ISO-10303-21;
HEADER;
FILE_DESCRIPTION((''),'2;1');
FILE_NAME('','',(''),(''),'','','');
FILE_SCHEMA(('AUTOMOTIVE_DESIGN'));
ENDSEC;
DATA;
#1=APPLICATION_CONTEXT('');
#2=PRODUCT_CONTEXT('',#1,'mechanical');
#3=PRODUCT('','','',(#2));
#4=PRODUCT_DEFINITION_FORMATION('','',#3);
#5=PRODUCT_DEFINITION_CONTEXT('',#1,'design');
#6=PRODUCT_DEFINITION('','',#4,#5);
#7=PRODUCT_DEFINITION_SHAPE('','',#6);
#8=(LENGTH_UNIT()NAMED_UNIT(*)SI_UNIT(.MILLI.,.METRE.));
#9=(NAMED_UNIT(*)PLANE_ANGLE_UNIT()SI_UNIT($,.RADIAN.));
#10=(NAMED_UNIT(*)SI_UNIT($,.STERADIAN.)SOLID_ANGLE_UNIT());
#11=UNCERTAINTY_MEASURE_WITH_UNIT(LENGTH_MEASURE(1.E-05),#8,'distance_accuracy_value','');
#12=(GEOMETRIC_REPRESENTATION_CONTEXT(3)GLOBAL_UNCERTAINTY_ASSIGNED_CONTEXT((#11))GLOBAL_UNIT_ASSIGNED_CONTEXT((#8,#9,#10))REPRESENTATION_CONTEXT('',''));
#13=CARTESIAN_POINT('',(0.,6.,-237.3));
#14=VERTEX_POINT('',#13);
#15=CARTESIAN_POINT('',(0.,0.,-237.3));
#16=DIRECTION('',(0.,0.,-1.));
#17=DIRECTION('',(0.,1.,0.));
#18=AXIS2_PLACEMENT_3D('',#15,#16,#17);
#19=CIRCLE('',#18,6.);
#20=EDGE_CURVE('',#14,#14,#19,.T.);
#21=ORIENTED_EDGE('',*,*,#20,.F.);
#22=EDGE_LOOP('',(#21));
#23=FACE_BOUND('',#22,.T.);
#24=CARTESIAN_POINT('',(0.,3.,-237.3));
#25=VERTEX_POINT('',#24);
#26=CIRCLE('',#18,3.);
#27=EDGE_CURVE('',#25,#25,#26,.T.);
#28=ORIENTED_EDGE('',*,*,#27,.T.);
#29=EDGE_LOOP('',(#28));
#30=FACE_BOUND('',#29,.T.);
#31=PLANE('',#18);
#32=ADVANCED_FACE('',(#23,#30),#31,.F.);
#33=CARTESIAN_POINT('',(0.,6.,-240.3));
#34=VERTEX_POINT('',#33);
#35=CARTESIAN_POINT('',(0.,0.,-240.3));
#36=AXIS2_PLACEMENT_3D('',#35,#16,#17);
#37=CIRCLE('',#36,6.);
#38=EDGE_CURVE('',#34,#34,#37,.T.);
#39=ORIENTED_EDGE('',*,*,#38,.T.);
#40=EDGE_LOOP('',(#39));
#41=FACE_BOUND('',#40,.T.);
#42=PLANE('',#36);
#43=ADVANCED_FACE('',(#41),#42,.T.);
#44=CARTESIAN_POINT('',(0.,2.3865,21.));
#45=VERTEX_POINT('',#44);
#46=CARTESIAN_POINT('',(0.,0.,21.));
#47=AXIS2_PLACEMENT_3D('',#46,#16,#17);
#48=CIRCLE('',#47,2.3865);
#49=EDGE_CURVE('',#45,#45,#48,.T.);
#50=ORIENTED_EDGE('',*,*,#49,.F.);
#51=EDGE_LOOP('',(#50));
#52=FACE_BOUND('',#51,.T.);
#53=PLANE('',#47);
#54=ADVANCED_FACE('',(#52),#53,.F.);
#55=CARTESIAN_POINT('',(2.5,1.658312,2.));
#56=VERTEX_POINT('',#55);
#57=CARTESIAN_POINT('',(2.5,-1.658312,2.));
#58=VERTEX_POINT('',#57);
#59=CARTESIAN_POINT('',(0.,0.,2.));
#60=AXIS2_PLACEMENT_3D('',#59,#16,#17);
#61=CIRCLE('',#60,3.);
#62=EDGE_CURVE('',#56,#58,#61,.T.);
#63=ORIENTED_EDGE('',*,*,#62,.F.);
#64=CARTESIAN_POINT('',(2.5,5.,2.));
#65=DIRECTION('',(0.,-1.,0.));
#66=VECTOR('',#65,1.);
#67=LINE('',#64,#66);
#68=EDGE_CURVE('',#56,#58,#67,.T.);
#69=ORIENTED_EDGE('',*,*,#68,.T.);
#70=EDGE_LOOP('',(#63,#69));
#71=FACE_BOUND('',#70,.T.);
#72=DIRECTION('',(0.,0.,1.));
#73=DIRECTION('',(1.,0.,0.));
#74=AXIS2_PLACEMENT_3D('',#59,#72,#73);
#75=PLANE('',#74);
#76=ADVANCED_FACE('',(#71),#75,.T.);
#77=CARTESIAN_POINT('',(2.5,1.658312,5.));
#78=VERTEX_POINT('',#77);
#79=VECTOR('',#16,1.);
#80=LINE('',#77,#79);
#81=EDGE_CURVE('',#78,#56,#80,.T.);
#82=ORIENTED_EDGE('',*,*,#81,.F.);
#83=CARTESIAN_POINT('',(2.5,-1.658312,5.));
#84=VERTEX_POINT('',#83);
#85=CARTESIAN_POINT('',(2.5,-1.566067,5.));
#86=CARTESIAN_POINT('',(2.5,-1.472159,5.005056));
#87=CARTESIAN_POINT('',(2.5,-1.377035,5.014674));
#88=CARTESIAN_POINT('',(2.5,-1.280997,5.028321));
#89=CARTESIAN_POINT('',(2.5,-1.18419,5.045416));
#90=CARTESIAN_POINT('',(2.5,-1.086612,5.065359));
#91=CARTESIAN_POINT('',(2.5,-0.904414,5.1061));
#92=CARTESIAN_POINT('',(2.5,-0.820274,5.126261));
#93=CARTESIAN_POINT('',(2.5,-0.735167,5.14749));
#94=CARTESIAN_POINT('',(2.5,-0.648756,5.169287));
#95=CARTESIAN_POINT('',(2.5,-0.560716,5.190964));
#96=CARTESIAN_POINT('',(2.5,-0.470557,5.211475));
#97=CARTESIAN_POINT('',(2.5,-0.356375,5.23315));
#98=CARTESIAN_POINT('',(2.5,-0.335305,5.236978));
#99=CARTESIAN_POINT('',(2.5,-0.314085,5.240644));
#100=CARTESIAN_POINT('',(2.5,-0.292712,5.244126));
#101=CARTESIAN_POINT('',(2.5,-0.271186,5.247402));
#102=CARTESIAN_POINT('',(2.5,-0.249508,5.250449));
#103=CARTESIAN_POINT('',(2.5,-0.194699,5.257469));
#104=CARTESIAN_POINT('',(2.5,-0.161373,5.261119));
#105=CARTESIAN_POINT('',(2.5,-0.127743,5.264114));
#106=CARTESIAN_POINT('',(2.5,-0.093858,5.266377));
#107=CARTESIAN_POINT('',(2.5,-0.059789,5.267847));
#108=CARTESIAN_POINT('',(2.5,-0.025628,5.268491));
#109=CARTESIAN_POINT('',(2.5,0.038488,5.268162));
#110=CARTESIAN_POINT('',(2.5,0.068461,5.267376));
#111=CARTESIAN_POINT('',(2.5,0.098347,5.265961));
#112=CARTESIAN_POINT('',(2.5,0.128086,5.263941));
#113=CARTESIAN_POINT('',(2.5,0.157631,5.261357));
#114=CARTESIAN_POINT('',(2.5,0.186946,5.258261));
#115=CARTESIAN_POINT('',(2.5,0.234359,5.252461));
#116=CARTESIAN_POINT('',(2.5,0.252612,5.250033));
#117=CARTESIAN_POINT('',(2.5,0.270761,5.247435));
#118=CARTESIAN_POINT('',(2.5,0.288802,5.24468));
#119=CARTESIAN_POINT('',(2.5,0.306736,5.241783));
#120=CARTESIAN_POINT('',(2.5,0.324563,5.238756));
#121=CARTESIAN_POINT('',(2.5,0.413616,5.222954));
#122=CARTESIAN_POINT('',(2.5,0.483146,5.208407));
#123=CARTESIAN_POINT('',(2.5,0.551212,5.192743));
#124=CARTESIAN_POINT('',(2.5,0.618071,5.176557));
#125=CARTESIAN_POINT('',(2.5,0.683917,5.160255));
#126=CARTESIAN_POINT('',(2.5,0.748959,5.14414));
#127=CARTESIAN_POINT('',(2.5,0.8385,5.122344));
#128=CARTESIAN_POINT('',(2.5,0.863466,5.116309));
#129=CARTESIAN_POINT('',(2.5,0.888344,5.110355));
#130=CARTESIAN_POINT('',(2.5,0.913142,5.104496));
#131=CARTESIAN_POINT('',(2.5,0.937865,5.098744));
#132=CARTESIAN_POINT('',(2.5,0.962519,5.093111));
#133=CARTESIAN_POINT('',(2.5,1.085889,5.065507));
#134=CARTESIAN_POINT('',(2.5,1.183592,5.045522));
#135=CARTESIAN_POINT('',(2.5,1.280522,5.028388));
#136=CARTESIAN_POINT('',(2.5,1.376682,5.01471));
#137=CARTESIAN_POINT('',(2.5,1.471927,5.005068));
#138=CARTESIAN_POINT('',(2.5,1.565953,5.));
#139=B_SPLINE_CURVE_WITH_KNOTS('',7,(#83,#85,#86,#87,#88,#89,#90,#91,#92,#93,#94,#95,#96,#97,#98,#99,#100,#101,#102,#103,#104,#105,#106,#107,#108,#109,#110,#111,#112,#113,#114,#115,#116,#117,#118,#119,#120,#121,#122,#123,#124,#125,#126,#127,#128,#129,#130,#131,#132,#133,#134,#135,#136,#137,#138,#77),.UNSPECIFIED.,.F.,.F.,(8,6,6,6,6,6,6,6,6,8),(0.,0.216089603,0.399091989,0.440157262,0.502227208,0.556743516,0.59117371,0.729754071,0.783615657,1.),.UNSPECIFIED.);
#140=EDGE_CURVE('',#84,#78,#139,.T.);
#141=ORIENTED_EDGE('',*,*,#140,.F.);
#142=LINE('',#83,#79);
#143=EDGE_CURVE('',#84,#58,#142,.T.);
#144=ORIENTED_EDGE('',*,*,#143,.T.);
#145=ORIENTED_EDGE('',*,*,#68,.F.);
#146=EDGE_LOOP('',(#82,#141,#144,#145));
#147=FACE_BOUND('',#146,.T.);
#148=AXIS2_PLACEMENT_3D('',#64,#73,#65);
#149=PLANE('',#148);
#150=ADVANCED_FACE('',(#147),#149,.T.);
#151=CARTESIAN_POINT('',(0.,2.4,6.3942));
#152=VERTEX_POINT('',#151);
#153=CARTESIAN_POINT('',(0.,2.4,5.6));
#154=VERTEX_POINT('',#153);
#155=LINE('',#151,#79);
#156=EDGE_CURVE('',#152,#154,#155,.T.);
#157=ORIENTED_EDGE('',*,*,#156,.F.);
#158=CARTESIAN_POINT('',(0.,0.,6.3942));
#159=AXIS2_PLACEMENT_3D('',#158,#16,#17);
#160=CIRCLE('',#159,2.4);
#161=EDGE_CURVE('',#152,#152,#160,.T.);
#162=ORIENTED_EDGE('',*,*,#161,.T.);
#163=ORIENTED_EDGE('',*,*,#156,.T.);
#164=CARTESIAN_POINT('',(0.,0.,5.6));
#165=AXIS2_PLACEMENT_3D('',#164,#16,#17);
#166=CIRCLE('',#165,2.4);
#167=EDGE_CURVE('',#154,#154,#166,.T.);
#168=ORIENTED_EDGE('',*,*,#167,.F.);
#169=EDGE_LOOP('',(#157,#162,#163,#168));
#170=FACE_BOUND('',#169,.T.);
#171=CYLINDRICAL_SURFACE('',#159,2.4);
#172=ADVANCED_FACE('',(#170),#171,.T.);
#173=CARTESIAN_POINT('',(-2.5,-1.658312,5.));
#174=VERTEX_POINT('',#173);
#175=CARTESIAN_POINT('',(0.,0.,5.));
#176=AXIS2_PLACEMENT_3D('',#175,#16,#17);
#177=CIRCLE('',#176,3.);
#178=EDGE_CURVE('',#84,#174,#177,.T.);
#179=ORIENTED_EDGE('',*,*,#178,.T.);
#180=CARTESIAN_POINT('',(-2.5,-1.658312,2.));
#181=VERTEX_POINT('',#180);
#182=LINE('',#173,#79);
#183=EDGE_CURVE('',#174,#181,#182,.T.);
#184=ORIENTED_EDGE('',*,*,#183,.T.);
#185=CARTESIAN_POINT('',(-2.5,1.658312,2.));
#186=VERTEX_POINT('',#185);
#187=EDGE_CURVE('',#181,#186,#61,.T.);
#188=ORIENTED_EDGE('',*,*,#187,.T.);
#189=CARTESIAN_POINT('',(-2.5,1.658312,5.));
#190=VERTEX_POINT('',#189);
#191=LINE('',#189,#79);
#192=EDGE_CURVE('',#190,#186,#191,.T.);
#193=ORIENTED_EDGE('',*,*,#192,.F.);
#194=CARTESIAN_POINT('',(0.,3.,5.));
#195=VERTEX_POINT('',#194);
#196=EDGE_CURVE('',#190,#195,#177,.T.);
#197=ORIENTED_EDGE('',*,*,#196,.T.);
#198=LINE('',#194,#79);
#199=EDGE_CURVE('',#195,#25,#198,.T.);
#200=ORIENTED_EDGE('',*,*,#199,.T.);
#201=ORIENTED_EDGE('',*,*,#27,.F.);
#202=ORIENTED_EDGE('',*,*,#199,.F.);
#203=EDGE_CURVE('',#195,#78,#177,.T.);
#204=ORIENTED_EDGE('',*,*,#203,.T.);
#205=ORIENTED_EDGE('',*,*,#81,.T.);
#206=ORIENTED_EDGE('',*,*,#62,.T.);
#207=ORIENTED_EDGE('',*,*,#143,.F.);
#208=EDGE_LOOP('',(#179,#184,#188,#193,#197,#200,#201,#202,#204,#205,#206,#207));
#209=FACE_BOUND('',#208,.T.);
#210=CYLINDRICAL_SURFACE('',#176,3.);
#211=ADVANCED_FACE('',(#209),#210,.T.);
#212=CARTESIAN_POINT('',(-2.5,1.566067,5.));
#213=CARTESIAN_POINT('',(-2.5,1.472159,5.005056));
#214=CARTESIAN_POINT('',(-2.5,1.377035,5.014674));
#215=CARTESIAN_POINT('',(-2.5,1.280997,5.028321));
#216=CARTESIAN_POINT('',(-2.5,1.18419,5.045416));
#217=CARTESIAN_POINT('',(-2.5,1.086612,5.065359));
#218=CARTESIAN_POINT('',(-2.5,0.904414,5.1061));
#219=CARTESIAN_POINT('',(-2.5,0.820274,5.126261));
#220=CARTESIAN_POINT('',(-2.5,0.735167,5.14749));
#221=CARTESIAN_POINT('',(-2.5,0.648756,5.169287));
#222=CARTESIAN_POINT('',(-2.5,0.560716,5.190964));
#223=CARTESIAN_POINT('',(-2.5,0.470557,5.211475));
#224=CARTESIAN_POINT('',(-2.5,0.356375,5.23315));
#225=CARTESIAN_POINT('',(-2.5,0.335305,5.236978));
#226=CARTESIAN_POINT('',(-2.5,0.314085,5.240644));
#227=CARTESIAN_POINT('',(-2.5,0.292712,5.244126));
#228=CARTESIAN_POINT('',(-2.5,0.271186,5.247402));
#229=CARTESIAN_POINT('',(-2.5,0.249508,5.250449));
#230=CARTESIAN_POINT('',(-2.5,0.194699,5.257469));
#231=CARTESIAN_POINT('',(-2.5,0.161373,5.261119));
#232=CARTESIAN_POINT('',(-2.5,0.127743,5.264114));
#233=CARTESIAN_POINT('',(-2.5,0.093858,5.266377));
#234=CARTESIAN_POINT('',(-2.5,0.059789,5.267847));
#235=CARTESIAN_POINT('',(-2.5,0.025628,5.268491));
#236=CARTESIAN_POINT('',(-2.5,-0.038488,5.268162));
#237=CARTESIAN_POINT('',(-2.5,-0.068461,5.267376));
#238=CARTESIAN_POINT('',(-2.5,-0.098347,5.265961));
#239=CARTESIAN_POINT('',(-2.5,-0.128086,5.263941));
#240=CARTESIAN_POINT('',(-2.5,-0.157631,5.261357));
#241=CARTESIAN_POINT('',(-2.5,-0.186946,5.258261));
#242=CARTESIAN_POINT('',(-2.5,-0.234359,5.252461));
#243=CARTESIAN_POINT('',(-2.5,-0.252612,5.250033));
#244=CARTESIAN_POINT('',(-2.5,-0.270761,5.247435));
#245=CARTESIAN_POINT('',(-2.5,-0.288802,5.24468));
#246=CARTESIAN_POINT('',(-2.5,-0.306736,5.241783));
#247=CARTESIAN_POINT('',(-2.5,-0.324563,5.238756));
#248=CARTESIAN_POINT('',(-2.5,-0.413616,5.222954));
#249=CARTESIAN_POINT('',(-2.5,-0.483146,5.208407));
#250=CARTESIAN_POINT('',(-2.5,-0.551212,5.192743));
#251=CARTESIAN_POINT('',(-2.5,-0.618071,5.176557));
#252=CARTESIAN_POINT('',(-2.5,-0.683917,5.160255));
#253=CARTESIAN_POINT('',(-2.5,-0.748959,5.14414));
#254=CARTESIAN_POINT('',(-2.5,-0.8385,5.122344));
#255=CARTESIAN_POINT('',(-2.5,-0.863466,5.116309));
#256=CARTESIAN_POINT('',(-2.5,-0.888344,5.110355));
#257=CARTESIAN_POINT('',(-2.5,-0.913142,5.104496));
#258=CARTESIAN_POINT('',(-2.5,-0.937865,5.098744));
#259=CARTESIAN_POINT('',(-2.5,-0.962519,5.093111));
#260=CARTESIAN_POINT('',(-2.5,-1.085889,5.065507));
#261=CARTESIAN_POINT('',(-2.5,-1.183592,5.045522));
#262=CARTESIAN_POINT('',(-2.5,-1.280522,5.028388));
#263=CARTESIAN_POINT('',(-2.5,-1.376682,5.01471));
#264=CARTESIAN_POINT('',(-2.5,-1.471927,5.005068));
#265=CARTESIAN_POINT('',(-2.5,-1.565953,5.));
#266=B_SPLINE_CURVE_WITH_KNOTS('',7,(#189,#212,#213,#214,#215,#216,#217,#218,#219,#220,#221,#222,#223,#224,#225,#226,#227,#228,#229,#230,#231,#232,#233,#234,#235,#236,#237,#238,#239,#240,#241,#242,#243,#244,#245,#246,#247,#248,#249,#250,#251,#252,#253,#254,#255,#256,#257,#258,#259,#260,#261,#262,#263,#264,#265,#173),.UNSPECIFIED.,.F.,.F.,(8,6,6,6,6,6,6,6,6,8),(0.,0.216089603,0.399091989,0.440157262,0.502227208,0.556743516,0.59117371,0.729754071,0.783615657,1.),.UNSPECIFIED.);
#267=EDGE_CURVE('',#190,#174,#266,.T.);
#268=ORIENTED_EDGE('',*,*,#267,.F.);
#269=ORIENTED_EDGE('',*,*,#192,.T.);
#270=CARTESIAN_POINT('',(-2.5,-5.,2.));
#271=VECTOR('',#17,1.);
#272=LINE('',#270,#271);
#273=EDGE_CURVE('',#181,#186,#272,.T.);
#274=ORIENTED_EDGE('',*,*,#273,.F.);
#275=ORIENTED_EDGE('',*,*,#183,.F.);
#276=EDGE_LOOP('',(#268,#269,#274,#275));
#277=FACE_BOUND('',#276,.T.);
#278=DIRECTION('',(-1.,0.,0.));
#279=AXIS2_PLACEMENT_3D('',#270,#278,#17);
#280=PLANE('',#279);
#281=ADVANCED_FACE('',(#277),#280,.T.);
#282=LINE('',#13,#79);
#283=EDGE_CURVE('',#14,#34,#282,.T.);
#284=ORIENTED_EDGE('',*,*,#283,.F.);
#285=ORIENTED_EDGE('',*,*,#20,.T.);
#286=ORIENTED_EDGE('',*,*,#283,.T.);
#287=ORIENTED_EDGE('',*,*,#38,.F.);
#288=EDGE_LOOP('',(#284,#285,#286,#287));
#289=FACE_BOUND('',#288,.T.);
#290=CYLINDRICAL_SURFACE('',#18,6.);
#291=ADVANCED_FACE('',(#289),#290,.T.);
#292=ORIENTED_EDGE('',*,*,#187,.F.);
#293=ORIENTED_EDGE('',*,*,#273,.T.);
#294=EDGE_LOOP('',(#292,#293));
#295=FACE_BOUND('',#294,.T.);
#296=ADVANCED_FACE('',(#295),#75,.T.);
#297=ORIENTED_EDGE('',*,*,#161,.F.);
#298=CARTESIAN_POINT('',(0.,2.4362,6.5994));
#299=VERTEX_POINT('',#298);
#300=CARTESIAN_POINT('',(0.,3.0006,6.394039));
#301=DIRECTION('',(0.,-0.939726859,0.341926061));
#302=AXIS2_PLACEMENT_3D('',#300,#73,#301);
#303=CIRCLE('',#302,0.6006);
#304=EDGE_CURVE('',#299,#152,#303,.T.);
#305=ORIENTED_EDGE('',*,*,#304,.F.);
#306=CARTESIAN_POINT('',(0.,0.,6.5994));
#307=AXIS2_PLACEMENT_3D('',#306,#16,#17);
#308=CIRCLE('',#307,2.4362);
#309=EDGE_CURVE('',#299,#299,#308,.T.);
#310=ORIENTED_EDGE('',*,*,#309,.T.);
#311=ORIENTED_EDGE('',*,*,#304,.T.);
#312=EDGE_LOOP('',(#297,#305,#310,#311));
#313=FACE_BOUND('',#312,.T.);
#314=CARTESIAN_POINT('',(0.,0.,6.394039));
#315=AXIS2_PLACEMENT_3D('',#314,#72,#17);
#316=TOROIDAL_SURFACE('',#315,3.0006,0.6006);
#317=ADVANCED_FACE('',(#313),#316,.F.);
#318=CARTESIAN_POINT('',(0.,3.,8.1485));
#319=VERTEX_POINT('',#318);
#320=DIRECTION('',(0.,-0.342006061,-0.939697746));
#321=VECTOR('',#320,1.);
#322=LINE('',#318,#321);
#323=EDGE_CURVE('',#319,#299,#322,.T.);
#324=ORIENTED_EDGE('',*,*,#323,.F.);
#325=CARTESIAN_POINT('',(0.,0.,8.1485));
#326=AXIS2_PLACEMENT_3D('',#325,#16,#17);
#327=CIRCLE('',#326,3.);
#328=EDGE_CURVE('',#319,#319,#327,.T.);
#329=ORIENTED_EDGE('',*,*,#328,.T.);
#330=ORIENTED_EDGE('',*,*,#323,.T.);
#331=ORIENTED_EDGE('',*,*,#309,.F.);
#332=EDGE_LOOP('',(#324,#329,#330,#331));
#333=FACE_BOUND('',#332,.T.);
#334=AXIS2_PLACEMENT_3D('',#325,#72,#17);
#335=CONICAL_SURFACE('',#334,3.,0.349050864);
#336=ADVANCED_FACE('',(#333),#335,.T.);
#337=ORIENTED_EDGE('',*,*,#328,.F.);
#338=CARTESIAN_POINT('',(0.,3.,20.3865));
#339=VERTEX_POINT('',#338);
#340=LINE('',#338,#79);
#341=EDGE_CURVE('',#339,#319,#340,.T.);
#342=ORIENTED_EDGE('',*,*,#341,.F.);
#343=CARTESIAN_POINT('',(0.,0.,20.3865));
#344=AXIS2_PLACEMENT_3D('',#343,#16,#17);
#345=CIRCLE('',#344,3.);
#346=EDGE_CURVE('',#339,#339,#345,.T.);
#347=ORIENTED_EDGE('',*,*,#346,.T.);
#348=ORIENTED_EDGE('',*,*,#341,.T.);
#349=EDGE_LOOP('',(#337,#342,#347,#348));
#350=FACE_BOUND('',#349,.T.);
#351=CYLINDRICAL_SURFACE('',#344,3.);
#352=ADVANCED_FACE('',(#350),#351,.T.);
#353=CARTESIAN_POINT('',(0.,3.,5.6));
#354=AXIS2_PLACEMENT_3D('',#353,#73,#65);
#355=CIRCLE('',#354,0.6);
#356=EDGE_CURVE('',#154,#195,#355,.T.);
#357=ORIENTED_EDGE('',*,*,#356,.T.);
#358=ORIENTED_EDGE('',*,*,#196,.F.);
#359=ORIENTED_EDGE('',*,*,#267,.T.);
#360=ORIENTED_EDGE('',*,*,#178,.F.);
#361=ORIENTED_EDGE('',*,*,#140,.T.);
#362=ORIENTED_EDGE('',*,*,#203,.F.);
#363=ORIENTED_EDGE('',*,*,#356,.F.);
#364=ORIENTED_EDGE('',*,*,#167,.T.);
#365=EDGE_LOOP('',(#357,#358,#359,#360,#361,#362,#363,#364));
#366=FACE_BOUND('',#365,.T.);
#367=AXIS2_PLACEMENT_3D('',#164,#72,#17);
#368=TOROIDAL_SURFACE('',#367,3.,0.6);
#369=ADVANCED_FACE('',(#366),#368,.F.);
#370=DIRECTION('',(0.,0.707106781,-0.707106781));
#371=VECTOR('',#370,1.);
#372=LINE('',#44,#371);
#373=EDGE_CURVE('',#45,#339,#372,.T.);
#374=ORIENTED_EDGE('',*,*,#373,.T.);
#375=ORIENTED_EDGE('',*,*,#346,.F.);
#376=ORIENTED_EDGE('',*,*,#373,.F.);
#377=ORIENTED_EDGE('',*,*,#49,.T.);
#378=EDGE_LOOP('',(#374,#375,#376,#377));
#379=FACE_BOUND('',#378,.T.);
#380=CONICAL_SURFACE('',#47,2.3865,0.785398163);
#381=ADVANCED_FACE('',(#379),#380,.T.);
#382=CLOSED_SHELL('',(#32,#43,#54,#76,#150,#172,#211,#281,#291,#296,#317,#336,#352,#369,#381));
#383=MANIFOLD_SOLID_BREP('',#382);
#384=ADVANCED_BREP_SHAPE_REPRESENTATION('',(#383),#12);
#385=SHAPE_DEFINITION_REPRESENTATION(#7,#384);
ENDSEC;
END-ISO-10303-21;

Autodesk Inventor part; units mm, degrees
sketch "Sketch_2" plane through (0, 0, 0) normal (1, 0, 0) x (0, 1, 0)
  line L0 (0, -240.3) -> (0, 5)
  line L1 (0, 5) -> (3, 5)
  line L2 (3, 5) -> (3, -237.3)
  line L3 (3, -237.3) -> (6, -237.3)
  line L4 (6, -237.3) -> (6, -240.3)
  line L5 (6, -240.3) -> (0, -240.3)
  line L6 (0, -240.3) -> (0, 5)
revolve "Revolution1" add sketch "Sketch_2" angle 360 about axis through (0, 0, -240.3) along (0, 0, -1)
sketch "Sketch_6" plane through (0, 0, 0) normal (1, 0, 0) x (0, 1, 0)
  line L0 (0, 4) -> (0, 21)
  line L1 (0, 21) -> (2.3865, 21)
  line L2 (2.3865, 21) -> (3, 20.3865)
  line L3 (3, 20.3865) -> (3, 8.1485)
  line L4 (3, 8.1485) -> (2.4362, 6.5994)
  arc A0 (2.4362, 6.5994) -> (2.4, 6.3942) centre (3, 6.3942) ccw
  line L5 (2.4, 6.3942) -> (2.4, 5.6)
  arc A1 (2.4, 5.6) -> (3, 5) centre (3, 5.6) ccw
  line L6 (3, 5) -> (3, 4)
  line L7 (3, 4) -> (0, 4)
  line L8 (0, 4) -> (0, 21)
revolve "Revolution2" add sketch "Sketch_6" angle 360 about axis through (0, 0, 4) along (0, 0, -1)
thread "Thread1" size "M6x1" class "6g" standard "ISO Metric profile" full length
sketch "Sketch_7" plane through (0, 0, 2) normal (0, 0, 1) x (1, 0, 0)
  line L0 (-5, 10) -> (-5, -5)
  line L1 (-5, -5) -> (-2.5, -5)
  line L2 (-2.5, -5) -> (-2.5, 5)
  line L3 (-2.5, 5) -> (2.5, 5)
  line L4 (2.5, 5) -> (2.5, -5)
  line L5 (2.5, -5) -> (5, -5)
  line L6 (5, -5) -> (5, 10)
  line L7 (5, 10) -> (-5, 10)
extrude "Extrusion1" cut sketch "Sketch_7" along normal blind 4
ref_plane "FDT_KSAUFSATZ_XY" through (0, 0, 11.2) normal (0, 0, 1) x (-1, 0, 0)
ref_plane "FDT_KSAUFSATZ_YZ" through (0, 0, 11.2) normal (-1, 0, 0) x (0, -1, 0)
ref_plane "FDT_KSAUFSATZ_ZX" through (0, 0, 11.2) normal (0, -1, 0) x (0, 0, 1)
ref_plane "FDT_NUT_XY" through (0, 0, 11.2) normal (0, 0, 1) x (-1, 0, 0)
ref_plane "FDT_NUT_YZ" through (0, 0, 11.2) normal (-1, 0, 0) x (0, -1, 0)
ref_plane "FDT_NUT_ZX" through (0, 0, 11.2) normal (0, -1, 0) x (0, 0, 1)
ref_plane "KS_XY" through (0, 0, 0) normal (0, 0, -1) x (1, 0, 0)
ref_plane "KS_YZ" through (0, 0, 0) normal (1, 0, 0) x (0, -1, 0)
ref_plane "KS_ZX" through (0, 0, 0) normal (0, -1, 0) x (0, 0, -1)
ref_plane "NUT1_XY" through (0, 0, 16) normal (0, 0, 1) x (1, 0, 0)
ref_plane "NUT1_YZ" through (0, 0, 16) normal (1, 0, 0) x (0, 1, 0)
ref_plane "NUT1_ZX" through (0, 0, 16) normal (0, 1, 0) x (0, 0, 1)
properties part number "19197 DSNU-12-200-P---(A---00--0-KS)"
